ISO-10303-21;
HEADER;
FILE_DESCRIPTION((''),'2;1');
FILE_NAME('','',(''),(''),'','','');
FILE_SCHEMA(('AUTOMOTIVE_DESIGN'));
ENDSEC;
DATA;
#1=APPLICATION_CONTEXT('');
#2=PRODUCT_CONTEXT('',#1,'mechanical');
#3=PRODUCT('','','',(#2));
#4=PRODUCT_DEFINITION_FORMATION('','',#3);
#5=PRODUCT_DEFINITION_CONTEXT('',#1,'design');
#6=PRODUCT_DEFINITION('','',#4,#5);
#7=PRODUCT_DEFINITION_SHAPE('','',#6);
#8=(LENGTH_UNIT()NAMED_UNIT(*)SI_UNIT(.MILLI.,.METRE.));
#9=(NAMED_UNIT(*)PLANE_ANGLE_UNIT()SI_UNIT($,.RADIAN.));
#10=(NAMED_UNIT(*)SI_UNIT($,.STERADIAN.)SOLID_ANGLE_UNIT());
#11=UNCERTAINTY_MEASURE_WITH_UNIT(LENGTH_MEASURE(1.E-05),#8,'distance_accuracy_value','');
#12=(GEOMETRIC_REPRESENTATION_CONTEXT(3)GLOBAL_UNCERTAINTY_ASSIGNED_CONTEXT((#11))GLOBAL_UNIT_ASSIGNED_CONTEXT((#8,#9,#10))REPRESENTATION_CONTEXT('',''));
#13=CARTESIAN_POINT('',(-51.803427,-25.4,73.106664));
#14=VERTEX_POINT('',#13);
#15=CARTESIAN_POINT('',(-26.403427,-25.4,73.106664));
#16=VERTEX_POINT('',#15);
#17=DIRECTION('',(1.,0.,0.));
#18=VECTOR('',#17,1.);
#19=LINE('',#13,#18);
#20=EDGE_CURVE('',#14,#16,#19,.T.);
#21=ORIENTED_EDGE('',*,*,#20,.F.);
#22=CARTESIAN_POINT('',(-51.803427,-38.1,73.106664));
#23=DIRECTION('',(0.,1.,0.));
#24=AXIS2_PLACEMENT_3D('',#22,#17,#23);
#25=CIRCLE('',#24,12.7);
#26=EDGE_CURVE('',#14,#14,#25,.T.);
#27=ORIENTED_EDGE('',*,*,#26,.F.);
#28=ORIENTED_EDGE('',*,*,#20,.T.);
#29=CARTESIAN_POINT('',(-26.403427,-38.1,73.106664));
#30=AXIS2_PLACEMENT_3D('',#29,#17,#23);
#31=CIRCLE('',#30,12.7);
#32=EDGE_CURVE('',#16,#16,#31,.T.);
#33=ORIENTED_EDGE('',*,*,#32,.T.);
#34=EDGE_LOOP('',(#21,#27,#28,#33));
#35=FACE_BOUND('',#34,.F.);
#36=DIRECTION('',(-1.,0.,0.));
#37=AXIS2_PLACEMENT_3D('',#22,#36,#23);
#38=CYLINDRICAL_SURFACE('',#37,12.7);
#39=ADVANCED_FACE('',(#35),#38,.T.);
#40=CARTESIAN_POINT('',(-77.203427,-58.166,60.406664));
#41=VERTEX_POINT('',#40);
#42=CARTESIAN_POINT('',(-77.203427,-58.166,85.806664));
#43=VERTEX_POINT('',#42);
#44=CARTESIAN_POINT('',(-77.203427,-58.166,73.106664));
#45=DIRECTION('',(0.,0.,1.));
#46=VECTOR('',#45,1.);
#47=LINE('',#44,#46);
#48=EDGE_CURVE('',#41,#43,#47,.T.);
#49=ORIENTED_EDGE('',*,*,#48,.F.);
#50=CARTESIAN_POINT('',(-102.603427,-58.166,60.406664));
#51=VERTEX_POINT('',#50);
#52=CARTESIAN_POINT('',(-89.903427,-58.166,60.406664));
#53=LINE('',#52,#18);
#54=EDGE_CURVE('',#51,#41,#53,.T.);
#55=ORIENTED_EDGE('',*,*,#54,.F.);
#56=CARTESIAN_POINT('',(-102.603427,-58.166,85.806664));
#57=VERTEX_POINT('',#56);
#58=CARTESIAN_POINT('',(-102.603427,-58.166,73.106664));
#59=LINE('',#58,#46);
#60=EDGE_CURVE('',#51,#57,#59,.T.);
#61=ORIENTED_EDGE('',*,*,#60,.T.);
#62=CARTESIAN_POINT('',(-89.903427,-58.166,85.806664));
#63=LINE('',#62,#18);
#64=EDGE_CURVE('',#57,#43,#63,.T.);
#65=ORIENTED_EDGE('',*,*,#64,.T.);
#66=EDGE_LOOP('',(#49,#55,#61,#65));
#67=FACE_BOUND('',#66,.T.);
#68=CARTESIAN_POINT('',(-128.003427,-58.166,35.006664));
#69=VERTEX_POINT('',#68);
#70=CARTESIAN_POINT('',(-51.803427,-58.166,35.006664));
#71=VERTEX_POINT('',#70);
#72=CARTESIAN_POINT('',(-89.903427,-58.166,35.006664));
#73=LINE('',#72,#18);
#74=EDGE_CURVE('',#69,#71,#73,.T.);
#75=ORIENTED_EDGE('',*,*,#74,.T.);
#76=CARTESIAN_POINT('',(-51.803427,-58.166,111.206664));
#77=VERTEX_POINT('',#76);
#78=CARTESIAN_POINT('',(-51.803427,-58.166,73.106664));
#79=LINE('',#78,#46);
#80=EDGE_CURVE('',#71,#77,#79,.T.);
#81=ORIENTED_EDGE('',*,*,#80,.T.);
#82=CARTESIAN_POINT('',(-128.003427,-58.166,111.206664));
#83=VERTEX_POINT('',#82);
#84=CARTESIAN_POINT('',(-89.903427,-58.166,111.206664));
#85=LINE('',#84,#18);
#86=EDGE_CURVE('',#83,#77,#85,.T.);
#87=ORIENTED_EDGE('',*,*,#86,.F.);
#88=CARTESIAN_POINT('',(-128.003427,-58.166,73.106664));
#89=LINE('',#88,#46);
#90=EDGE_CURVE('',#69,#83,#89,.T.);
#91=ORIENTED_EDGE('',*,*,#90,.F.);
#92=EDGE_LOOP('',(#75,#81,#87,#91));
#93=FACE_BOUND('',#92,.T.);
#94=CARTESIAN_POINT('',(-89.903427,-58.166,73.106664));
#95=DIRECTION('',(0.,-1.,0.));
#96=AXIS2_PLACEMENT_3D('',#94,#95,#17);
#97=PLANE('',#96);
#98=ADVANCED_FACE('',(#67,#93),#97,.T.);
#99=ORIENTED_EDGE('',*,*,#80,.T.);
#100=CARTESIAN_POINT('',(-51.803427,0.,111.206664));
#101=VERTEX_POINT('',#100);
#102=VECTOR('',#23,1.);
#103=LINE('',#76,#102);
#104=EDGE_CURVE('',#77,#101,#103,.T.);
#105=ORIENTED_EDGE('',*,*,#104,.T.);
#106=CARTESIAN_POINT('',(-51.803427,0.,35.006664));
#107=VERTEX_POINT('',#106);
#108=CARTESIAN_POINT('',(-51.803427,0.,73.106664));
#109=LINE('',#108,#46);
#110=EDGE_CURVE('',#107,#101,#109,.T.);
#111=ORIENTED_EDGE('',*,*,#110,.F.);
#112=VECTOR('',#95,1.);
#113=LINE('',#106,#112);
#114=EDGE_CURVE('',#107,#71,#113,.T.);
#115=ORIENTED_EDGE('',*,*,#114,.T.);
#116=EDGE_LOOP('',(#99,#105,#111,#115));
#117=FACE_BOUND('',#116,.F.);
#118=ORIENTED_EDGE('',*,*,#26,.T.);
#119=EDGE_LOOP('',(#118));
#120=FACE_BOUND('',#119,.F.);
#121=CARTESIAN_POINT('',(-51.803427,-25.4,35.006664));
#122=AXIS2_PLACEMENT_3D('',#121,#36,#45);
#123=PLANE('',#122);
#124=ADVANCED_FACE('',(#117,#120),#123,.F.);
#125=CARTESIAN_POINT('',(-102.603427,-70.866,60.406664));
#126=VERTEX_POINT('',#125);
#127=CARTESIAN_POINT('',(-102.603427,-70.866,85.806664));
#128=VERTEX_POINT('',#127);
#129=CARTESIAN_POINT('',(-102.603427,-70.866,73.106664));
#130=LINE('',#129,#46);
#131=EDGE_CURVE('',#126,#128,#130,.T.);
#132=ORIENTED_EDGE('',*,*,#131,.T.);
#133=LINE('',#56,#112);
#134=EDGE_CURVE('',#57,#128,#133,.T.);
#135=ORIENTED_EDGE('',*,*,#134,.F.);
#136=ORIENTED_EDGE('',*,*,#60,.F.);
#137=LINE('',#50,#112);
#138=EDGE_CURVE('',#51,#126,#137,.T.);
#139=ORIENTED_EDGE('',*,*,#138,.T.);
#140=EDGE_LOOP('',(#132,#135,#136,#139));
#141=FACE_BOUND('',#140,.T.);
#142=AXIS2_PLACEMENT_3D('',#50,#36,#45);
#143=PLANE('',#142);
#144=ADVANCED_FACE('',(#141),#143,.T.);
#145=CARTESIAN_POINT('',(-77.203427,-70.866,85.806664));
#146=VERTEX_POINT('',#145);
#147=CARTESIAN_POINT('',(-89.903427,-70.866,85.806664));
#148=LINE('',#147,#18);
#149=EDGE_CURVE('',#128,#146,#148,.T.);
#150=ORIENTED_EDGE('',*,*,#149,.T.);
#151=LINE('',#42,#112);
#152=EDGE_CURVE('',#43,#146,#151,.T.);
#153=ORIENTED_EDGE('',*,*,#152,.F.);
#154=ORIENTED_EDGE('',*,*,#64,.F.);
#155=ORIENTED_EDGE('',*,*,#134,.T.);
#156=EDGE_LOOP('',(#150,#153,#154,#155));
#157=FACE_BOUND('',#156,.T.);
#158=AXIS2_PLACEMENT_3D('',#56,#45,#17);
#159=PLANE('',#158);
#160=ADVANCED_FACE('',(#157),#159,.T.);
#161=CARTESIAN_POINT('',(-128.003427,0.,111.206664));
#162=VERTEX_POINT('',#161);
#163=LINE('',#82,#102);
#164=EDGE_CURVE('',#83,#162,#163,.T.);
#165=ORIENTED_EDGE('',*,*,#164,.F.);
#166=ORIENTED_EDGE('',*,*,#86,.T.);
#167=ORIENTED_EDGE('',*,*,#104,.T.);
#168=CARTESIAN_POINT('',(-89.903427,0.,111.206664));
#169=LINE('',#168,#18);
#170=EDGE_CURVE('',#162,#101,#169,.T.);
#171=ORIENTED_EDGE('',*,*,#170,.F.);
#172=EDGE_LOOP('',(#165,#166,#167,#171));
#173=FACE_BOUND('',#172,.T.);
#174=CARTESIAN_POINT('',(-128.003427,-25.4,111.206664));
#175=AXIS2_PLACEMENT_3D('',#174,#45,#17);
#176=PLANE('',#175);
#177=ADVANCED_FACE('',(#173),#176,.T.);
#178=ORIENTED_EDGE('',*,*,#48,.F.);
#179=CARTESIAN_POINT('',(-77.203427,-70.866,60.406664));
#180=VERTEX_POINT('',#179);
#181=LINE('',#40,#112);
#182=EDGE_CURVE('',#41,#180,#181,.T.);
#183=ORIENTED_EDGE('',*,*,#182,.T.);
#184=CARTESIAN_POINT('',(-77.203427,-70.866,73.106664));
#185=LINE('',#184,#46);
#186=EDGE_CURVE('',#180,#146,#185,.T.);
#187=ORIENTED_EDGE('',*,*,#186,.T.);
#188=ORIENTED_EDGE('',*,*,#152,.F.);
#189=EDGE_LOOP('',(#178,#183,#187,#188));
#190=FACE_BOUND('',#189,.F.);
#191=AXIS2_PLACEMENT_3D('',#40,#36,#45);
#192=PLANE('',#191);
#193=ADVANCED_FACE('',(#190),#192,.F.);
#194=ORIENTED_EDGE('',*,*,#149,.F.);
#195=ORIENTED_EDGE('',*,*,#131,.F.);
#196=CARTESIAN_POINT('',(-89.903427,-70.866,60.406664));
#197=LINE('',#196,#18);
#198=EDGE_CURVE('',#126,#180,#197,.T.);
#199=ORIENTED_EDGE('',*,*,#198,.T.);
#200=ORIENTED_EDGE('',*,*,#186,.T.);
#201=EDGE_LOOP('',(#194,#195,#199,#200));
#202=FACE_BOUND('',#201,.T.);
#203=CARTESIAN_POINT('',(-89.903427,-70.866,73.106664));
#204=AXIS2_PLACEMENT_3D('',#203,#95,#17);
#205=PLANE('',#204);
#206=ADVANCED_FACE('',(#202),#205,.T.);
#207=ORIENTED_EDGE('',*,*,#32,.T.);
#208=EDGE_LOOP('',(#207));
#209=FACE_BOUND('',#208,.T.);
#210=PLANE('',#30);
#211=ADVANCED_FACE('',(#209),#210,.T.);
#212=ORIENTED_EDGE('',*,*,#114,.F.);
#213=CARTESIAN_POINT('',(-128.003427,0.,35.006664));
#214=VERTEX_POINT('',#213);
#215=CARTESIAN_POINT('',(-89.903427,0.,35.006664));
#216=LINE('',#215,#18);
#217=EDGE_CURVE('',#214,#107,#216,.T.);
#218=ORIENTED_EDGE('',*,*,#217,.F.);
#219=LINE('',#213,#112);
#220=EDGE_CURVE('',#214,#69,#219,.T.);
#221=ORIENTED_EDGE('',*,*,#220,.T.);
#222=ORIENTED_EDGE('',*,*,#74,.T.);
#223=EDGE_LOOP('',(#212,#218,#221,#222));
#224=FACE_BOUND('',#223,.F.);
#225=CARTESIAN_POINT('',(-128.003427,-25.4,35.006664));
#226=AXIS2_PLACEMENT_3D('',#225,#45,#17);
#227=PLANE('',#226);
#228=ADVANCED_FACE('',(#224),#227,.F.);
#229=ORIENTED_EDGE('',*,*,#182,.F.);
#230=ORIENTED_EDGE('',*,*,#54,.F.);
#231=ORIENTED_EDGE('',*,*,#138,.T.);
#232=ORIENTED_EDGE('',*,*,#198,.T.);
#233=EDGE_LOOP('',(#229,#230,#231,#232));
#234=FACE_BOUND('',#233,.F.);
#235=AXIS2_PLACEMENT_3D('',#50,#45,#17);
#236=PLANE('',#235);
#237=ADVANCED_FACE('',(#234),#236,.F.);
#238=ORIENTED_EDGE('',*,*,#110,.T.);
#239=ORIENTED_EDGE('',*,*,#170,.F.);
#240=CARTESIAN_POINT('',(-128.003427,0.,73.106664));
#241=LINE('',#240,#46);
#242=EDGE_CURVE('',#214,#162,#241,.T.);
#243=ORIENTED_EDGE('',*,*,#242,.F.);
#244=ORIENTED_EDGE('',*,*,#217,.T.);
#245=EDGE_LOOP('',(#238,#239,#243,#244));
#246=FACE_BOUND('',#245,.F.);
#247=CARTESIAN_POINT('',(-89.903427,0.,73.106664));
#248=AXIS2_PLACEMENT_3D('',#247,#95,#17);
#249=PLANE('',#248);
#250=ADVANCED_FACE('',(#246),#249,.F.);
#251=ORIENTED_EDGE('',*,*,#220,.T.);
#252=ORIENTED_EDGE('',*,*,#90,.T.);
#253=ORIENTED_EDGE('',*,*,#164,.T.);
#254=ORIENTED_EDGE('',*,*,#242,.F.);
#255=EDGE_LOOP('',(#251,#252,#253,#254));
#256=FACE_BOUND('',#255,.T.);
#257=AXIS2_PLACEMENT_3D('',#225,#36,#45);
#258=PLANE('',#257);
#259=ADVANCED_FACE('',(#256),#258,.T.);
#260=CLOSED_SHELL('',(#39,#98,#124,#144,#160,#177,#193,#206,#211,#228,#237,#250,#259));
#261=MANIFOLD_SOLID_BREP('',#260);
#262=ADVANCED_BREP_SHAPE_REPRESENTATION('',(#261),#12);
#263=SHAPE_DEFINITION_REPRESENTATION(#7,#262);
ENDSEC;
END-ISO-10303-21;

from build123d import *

# Parameters (mm, degrees)
F0_W      = 76.2
F0_H      = 76.2
F1_DEPTH  = 25.4
F1_FACE_W = 76.2
F1_FACE_H = 76.2
F2_DEPTH  = 32.766
F3_W      = 25.4
F3_H      = 25.4
F4_DEPTH  = 12.7
F5_R      = 12.7
F7_DEPTH  = 25.4


with BuildPart() as f1:
    # F0 (on Front) → F1 (new body)
    with BuildSketch(Plane.XZ):
        with Locations((-89.903427, 73.106664)):
            Rectangle(F0_W, F0_H)
    extrude(amount=F1_DEPTH)

    # F1_face (on face) → F2 (join)
    with BuildSketch(Plane(origin=(-89.903427, -25.4, 73.106664), x_dir=(1, 0, 0), z_dir=(0, -1, 0))):
        Rectangle(F1_FACE_W, F1_FACE_H)
    extrude(amount=F2_DEPTH)

    # F3 (on face) → F4 (join)
    with BuildSketch(Plane.XZ.offset(58.166)):
        with Locations((-89.903427, 73.106664)):
            Rectangle(F3_W, F3_H)
    extrude(amount=F4_DEPTH)

    # F5 (on face) → F7 (join)
    with BuildSketch(Plane.YZ.offset(-51.803427)):
        with Locations((-38.1, 73.106664)):
            Circle(F5_R)
    extrude(amount=F7_DEPTH)


solid = f1.part
